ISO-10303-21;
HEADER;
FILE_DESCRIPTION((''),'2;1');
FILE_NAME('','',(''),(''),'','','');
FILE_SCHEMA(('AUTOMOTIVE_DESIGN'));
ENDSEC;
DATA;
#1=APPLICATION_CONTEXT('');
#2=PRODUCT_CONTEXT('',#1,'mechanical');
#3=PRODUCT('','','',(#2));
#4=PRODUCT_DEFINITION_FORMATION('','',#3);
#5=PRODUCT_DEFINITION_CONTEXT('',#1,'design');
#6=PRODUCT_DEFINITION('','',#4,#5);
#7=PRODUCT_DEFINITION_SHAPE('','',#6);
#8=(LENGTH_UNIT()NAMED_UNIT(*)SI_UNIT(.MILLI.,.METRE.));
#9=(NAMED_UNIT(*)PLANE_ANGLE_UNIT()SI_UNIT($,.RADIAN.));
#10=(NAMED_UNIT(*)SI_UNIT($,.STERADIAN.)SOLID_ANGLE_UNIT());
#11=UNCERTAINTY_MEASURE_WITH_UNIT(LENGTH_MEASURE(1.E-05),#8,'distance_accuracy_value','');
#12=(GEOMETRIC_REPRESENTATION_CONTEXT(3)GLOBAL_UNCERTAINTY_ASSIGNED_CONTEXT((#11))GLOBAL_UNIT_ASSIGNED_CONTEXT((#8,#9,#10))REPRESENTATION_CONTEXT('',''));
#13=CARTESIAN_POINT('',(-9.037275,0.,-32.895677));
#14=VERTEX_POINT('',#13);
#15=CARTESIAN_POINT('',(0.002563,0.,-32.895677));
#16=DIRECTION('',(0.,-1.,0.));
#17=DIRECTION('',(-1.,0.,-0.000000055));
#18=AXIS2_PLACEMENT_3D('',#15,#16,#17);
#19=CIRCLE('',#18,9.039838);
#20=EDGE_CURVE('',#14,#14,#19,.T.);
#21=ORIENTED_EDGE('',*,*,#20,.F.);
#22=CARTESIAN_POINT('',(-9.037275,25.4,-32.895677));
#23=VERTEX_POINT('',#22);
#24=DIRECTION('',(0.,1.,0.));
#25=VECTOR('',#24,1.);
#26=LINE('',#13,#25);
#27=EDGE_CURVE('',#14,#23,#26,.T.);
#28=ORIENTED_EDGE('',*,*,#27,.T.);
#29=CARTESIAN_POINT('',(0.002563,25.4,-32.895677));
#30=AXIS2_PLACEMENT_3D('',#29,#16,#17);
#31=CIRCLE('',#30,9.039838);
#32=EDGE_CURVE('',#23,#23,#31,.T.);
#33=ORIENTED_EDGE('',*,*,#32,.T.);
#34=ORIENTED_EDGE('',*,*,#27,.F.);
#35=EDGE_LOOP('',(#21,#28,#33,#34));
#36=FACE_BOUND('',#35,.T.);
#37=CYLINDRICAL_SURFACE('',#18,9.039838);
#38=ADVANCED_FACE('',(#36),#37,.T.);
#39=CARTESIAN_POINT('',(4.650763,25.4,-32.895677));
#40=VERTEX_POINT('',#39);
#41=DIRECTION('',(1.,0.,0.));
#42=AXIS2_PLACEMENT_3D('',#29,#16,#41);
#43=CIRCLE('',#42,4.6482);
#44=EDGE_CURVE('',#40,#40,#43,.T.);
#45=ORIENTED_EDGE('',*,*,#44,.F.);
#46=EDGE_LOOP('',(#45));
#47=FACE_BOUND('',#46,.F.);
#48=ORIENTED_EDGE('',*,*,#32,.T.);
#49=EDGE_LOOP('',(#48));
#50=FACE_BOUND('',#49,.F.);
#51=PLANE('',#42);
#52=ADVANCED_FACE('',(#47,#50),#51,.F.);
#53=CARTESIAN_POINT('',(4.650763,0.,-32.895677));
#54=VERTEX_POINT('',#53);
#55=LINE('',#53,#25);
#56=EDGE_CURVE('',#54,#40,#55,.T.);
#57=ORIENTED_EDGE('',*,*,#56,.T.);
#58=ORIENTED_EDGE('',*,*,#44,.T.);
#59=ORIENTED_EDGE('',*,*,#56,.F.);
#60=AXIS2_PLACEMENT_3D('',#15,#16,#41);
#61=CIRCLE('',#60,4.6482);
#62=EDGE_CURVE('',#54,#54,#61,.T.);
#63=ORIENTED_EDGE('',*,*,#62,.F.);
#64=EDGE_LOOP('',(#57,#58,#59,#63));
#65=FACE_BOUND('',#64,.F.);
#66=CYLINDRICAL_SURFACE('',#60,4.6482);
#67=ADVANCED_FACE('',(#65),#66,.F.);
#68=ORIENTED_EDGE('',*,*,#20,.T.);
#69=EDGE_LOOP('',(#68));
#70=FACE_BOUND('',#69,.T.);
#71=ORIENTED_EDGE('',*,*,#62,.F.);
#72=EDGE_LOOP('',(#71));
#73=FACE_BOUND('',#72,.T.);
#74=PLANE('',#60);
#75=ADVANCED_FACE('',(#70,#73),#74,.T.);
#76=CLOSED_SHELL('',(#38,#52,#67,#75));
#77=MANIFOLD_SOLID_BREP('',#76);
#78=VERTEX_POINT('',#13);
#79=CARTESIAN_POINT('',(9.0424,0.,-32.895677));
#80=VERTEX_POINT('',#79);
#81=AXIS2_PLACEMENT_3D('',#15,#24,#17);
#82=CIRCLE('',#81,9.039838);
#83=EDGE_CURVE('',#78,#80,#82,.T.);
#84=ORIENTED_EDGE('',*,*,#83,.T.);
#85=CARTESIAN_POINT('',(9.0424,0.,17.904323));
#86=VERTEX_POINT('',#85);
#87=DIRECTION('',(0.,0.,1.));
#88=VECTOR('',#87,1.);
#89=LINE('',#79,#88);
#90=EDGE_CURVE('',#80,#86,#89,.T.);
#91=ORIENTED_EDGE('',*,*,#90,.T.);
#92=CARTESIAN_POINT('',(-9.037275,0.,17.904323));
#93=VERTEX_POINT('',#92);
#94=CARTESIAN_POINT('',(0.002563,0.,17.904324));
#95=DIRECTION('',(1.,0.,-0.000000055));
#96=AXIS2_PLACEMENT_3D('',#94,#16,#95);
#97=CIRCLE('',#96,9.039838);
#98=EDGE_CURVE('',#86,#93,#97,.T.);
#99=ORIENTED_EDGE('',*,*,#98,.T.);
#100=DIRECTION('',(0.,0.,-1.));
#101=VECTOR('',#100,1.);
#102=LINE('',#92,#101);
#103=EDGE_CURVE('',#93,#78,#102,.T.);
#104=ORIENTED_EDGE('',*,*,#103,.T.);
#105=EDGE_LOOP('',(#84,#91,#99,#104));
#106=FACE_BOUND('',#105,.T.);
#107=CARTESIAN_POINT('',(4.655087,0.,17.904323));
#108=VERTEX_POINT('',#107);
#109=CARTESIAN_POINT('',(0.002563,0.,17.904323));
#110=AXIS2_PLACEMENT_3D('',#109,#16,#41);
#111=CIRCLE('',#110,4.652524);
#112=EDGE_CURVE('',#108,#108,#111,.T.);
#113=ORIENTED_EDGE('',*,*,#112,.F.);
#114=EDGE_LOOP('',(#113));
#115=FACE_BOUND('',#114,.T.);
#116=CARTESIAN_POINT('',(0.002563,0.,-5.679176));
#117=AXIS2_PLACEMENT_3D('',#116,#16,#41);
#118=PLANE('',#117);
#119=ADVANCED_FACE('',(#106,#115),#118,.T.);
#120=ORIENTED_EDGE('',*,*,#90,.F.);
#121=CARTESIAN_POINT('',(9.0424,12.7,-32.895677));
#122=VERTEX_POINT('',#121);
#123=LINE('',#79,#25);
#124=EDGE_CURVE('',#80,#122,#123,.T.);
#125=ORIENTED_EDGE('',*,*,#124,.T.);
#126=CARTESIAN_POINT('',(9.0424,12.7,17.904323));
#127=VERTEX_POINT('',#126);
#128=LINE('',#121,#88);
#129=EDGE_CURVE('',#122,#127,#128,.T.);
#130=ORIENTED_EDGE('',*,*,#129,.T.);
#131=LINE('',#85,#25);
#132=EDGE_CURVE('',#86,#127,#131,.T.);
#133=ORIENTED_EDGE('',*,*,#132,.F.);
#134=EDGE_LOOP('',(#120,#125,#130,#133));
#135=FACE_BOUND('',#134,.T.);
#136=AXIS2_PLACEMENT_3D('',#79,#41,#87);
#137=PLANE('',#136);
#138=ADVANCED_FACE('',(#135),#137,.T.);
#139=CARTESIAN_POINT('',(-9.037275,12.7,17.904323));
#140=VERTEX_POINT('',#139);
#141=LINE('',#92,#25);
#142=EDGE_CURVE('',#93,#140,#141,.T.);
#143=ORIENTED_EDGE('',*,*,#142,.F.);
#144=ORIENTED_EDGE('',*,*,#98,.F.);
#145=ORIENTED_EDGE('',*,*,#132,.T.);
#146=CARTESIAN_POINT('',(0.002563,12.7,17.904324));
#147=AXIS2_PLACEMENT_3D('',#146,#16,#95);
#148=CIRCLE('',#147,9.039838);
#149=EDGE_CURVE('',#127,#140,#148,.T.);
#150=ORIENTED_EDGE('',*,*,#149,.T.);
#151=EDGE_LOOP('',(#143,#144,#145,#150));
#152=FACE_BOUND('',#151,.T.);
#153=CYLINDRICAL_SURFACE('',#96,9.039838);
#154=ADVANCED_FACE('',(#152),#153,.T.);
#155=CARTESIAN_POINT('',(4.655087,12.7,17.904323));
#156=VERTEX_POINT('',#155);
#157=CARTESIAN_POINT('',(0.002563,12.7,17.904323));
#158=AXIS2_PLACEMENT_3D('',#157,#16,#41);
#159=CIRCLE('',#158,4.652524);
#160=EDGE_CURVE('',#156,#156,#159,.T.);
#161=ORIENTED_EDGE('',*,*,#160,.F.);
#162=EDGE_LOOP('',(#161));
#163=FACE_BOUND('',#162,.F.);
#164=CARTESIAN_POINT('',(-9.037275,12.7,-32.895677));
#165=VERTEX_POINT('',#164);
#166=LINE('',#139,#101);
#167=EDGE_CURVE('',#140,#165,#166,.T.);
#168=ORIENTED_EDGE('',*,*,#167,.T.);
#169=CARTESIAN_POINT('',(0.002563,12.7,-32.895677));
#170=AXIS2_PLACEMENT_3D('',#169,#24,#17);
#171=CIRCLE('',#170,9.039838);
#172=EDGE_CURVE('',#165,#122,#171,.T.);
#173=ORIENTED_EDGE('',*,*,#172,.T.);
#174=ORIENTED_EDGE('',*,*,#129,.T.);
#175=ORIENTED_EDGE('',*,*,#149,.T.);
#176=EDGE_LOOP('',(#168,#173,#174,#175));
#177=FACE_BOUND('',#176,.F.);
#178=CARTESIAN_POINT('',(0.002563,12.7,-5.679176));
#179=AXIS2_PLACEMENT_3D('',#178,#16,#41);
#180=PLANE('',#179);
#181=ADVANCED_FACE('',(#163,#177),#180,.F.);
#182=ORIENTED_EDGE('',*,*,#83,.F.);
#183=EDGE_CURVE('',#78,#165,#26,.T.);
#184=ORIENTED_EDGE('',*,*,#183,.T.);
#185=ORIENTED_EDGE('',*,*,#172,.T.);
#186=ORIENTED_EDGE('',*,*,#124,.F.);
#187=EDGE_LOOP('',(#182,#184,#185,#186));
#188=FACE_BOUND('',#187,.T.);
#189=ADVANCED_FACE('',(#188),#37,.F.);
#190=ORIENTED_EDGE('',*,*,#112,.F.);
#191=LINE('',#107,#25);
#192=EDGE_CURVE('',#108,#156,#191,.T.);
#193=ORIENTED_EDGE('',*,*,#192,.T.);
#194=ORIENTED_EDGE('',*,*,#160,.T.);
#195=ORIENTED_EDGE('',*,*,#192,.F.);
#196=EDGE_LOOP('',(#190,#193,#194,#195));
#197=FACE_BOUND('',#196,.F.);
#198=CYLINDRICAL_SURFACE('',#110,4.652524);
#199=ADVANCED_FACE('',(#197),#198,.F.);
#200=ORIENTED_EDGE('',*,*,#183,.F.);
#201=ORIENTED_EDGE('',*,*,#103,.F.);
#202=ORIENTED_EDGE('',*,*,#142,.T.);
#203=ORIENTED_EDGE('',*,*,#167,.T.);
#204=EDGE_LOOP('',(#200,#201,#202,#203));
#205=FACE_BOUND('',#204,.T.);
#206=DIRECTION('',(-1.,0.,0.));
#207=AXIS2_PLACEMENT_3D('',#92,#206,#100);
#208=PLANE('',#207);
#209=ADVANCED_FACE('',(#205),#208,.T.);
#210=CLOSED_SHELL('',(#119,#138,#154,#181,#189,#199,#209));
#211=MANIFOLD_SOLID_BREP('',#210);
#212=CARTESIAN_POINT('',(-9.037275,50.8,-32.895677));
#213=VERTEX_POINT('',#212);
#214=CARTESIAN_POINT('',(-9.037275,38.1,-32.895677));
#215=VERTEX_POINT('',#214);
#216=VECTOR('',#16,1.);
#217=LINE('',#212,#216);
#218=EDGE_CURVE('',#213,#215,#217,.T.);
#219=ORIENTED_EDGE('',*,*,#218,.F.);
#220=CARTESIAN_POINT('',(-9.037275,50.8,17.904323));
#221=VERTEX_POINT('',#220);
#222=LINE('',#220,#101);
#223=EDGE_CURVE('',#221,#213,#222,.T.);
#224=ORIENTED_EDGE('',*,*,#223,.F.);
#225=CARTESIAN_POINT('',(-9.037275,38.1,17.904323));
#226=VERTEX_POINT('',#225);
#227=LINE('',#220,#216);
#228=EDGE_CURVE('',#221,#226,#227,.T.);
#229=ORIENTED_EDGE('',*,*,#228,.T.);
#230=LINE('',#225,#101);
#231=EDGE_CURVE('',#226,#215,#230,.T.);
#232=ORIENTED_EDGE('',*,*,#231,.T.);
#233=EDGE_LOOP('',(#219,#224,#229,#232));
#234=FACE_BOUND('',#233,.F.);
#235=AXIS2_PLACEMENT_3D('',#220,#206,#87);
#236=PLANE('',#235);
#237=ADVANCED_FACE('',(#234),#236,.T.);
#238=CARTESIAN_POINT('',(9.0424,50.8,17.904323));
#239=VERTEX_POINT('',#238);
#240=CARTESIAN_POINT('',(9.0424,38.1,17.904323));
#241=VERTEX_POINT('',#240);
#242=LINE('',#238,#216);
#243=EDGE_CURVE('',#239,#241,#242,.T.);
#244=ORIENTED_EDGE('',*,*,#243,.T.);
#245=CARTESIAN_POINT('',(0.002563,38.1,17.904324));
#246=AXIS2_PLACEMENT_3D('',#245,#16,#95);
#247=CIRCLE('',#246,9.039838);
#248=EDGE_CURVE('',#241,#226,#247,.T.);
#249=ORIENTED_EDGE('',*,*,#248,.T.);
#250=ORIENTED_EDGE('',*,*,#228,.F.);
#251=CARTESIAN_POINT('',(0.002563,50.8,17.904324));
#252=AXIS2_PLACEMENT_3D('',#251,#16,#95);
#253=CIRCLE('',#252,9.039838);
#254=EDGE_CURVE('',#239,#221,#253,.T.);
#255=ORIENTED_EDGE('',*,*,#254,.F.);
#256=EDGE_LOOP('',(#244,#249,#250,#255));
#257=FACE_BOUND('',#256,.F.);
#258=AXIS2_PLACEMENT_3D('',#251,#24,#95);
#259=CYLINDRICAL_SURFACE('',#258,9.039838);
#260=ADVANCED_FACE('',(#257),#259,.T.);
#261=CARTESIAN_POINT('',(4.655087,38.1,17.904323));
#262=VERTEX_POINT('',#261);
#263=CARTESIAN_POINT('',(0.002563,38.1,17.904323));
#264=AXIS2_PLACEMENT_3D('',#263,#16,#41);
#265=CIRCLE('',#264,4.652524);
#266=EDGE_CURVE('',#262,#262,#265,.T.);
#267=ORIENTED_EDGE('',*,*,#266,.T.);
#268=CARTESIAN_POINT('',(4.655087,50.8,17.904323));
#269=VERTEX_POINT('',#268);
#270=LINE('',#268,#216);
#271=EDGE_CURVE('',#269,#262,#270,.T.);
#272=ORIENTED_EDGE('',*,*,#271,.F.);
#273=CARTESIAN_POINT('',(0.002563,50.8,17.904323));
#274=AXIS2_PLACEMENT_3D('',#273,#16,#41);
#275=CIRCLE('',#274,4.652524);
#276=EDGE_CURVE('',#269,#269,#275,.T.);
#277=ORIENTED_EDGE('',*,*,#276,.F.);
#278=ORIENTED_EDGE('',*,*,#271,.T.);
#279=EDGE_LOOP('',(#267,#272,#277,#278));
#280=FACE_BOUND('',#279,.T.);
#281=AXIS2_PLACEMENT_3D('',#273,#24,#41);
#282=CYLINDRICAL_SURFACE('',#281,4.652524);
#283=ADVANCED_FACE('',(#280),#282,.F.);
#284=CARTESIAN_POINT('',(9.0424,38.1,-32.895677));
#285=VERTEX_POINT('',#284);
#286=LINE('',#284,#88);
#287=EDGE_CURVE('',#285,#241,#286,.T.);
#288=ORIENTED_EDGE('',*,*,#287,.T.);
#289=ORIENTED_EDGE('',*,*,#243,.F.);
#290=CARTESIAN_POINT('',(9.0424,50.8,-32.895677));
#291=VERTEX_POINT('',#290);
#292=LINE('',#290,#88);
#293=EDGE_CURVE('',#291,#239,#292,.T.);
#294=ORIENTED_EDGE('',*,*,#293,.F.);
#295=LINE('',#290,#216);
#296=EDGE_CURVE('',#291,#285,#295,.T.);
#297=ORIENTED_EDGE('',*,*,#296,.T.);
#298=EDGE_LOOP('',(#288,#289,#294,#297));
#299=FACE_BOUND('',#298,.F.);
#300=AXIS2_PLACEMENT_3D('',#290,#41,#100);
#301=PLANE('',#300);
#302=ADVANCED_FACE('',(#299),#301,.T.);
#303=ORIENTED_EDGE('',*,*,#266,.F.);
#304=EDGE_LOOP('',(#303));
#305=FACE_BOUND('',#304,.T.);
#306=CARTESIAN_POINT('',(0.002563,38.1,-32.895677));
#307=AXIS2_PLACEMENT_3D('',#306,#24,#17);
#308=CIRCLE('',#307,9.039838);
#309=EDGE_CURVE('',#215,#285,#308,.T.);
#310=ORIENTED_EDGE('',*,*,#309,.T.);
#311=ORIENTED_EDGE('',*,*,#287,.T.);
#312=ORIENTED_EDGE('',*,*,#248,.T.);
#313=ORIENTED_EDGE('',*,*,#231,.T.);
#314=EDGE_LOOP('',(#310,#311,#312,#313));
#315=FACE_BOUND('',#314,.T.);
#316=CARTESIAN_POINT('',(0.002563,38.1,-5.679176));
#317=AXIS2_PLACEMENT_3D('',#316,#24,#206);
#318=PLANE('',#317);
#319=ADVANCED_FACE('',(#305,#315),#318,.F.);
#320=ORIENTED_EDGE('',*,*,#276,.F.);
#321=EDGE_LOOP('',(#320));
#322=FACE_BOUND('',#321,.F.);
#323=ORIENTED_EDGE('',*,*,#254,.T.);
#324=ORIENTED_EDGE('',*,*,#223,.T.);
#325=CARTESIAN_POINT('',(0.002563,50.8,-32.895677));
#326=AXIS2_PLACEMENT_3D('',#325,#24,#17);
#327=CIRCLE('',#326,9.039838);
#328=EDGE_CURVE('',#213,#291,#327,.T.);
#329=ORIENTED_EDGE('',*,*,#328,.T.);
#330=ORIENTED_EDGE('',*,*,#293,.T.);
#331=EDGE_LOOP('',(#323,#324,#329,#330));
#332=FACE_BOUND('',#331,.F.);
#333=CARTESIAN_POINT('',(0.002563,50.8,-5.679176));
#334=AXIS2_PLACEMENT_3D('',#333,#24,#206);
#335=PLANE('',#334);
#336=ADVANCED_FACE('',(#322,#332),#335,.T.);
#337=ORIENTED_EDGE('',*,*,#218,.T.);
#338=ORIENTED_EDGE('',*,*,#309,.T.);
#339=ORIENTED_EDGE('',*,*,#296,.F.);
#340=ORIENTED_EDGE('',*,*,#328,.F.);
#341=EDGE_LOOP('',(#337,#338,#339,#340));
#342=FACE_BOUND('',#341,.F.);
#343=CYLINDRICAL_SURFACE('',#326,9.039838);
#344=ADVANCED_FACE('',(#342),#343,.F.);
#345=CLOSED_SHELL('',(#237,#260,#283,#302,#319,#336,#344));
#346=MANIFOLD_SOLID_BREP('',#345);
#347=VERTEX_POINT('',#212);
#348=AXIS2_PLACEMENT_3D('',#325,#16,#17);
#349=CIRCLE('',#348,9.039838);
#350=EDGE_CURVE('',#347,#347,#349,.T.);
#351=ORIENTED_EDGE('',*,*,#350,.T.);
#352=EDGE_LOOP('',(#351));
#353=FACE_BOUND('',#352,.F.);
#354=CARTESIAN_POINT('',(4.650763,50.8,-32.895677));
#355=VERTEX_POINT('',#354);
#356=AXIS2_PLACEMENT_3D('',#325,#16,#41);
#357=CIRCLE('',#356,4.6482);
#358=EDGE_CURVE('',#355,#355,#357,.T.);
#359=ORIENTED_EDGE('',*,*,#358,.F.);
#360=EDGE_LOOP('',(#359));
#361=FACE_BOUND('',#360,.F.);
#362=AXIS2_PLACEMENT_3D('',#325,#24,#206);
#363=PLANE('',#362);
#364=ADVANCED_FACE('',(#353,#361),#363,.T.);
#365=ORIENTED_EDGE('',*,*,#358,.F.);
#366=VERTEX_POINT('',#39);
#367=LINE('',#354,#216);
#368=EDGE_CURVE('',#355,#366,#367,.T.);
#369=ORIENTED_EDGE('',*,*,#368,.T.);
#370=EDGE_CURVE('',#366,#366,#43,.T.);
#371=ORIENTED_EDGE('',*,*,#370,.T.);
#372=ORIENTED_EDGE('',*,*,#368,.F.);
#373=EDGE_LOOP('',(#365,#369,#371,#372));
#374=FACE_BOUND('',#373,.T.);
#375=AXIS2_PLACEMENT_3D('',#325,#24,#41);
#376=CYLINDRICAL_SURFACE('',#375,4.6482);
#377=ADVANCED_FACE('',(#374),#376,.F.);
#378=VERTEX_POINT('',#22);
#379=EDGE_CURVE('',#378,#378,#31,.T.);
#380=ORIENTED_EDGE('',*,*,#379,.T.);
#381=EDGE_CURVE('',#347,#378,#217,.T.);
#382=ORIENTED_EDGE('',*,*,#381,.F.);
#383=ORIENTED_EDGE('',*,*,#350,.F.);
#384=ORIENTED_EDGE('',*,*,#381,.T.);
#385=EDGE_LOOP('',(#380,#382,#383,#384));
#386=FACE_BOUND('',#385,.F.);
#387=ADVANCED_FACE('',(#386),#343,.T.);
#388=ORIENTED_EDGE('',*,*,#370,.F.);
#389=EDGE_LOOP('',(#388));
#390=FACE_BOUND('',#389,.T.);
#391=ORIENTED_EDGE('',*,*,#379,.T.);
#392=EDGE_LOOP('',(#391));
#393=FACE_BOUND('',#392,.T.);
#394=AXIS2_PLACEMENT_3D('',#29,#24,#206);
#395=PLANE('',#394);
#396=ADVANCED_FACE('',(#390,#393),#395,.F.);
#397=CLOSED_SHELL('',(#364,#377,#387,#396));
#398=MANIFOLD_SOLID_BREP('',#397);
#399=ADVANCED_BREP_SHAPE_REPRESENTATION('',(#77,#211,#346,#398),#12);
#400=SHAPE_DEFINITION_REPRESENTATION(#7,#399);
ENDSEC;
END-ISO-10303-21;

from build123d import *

# Parameters (mm, degrees)
F0_R     = 4.652524
F1_DEPTH = 12.7
F0_R_2   = 4.6482
F2_DEPTH = 25.4


with BuildPart() as f1:
    # F0 (on Front) → F1 (new body)
    with BuildSketch(Plane.XZ):
        with BuildLine():
            Line((-9.037275, 17.904323), (-9.037275, -32.895677))
            ThreePointArc((-9.037275, -32.895677), (0.002563, -23.855839), (9.0424, -32.895677))
            Line((9.0424, -32.895677), (9.0424, 17.904323))
            ThreePointArc((9.0424, 17.904323), (0.002563, 26.944161), (-9.037275, 17.904323))
        make_face()
        with Locations((0.002563, 17.904323)):
            Circle(F0_R, mode=Mode.SUBTRACT)
    extrude(amount=-F1_DEPTH)


with BuildPart() as f2:
    # F0 (on Front) → F2 (new body)
    with BuildSketch(Plane.XZ):
        with BuildLine():
            ThreePointArc((9.0424, -32.895677), (0.002563, -23.855839), (-9.037275, -32.895677))
            ThreePointArc((-9.037275, -32.895677), (0.002563, -41.935514), (9.0424, -32.895677))
        make_face()
        with Locations((0.002563, -32.895677)):
            Circle(F0_R_2, mode=Mode.SUBTRACT)
    extrude(amount=-F2_DEPTH)


with BuildPart() as f3_1:
    # F3: instance of F1
    add(f1.part.mirror(Plane(origin=(0.002563, 25.4, -32.895677), x_dir=(1, 0, 0), z_dir=(0, 1, 0))))


with BuildPart() as f3_2:
    # F3: instance of F2
    add(f2.part.mirror(Plane(origin=(0.002563, 25.4, -32.895677), x_dir=(1, 0, 0), z_dir=(0, 1, 0))))


solid = Compound([f1.part, f2.part, f3_1.part, f3_2.part])
